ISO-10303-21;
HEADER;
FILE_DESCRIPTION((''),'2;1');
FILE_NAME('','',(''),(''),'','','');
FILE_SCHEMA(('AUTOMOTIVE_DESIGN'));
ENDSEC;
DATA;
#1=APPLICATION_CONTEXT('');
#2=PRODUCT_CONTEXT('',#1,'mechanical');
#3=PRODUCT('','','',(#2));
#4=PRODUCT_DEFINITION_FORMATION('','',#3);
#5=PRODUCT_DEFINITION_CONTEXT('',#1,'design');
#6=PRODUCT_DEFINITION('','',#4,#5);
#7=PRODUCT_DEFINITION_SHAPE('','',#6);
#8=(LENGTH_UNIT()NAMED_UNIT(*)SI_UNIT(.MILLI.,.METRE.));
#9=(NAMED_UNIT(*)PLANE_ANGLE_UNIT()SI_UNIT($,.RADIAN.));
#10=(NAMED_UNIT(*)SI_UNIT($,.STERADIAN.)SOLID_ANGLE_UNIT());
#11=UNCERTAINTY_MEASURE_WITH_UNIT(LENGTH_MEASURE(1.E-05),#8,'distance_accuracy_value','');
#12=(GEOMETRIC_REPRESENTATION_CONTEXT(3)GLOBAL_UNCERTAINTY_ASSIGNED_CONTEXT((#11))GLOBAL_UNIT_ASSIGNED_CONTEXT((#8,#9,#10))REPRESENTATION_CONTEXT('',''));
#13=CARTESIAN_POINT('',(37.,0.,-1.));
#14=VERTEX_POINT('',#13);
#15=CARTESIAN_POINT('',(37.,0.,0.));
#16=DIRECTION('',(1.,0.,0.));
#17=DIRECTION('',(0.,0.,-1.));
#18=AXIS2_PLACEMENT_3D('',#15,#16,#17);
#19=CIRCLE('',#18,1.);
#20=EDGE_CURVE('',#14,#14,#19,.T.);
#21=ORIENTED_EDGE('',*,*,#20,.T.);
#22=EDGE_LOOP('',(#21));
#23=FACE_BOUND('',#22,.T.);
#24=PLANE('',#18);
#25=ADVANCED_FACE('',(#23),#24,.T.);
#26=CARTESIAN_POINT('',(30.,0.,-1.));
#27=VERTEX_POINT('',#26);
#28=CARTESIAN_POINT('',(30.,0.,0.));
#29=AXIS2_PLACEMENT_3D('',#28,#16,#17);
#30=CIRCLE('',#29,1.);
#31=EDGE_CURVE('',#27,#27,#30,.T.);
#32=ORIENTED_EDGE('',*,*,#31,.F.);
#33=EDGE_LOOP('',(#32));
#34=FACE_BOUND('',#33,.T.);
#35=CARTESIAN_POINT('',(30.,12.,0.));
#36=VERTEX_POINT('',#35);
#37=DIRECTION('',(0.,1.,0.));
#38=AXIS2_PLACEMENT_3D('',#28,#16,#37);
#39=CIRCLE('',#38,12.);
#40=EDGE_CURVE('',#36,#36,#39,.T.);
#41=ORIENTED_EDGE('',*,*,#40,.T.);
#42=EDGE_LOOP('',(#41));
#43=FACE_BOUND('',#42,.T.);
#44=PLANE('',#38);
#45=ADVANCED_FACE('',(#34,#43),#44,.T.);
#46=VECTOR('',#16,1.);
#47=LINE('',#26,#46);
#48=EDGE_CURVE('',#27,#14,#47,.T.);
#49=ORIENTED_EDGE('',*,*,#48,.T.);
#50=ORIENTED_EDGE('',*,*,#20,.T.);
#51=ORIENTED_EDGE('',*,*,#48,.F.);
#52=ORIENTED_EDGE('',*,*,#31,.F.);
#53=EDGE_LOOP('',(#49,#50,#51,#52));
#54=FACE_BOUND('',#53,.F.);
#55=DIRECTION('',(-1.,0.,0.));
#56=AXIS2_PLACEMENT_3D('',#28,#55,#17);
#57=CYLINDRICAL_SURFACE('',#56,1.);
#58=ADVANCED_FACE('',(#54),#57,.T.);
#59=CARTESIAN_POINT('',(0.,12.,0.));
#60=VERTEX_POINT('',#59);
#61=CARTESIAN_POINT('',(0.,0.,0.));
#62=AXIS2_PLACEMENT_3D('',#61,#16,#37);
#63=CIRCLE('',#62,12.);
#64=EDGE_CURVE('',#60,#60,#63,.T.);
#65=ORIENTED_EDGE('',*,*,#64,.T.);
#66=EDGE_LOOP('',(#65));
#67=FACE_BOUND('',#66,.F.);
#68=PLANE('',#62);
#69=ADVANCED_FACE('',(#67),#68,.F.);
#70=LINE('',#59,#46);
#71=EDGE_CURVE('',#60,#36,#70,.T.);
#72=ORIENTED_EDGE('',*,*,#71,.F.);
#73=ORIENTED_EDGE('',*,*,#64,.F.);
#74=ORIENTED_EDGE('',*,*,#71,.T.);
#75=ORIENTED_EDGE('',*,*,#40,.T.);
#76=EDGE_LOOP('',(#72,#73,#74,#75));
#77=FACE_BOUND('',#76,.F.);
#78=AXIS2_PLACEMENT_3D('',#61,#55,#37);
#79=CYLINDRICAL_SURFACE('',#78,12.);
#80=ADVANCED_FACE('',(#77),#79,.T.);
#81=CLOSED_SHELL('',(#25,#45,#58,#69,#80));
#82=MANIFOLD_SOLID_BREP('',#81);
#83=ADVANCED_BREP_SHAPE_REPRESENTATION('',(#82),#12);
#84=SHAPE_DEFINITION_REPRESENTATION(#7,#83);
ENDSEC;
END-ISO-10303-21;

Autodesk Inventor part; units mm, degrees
ref_plane "YZ Plane" through (0, 0, 0) normal (1, 0, 0) x (0, 1, 0)
ref_plane "XZ Plane" through (0, 0, 0) normal (0, 1, 0) x (-1, 0, 0)
ref_plane "XY Plane" through (0, 0, 0) normal (0, 0, 1) x (1, 0, 0)
sketch "Skizze1" plane through (0, 0, 0) normal (1, 0, 0) x (0, 1, 0)
  circle A0 centre (0, 0) radius 12
  dimension "d0" = 24
extrude "Extrusion1" add sketch "Skizze1" along normal blind 30
sketch "Skizze2" plane through (30, 0, 0) normal (1, 0, 0) x (0, 0, -1)
  circle A0 centre (0, 0) radius 12 projected
  circle A1 centre (0, 0) radius 1
  dimension "d3" = 2
extrude "Extrusion2" add sketch "Skizze2" along normal blind 7 contours A1
properties part number "motor"
